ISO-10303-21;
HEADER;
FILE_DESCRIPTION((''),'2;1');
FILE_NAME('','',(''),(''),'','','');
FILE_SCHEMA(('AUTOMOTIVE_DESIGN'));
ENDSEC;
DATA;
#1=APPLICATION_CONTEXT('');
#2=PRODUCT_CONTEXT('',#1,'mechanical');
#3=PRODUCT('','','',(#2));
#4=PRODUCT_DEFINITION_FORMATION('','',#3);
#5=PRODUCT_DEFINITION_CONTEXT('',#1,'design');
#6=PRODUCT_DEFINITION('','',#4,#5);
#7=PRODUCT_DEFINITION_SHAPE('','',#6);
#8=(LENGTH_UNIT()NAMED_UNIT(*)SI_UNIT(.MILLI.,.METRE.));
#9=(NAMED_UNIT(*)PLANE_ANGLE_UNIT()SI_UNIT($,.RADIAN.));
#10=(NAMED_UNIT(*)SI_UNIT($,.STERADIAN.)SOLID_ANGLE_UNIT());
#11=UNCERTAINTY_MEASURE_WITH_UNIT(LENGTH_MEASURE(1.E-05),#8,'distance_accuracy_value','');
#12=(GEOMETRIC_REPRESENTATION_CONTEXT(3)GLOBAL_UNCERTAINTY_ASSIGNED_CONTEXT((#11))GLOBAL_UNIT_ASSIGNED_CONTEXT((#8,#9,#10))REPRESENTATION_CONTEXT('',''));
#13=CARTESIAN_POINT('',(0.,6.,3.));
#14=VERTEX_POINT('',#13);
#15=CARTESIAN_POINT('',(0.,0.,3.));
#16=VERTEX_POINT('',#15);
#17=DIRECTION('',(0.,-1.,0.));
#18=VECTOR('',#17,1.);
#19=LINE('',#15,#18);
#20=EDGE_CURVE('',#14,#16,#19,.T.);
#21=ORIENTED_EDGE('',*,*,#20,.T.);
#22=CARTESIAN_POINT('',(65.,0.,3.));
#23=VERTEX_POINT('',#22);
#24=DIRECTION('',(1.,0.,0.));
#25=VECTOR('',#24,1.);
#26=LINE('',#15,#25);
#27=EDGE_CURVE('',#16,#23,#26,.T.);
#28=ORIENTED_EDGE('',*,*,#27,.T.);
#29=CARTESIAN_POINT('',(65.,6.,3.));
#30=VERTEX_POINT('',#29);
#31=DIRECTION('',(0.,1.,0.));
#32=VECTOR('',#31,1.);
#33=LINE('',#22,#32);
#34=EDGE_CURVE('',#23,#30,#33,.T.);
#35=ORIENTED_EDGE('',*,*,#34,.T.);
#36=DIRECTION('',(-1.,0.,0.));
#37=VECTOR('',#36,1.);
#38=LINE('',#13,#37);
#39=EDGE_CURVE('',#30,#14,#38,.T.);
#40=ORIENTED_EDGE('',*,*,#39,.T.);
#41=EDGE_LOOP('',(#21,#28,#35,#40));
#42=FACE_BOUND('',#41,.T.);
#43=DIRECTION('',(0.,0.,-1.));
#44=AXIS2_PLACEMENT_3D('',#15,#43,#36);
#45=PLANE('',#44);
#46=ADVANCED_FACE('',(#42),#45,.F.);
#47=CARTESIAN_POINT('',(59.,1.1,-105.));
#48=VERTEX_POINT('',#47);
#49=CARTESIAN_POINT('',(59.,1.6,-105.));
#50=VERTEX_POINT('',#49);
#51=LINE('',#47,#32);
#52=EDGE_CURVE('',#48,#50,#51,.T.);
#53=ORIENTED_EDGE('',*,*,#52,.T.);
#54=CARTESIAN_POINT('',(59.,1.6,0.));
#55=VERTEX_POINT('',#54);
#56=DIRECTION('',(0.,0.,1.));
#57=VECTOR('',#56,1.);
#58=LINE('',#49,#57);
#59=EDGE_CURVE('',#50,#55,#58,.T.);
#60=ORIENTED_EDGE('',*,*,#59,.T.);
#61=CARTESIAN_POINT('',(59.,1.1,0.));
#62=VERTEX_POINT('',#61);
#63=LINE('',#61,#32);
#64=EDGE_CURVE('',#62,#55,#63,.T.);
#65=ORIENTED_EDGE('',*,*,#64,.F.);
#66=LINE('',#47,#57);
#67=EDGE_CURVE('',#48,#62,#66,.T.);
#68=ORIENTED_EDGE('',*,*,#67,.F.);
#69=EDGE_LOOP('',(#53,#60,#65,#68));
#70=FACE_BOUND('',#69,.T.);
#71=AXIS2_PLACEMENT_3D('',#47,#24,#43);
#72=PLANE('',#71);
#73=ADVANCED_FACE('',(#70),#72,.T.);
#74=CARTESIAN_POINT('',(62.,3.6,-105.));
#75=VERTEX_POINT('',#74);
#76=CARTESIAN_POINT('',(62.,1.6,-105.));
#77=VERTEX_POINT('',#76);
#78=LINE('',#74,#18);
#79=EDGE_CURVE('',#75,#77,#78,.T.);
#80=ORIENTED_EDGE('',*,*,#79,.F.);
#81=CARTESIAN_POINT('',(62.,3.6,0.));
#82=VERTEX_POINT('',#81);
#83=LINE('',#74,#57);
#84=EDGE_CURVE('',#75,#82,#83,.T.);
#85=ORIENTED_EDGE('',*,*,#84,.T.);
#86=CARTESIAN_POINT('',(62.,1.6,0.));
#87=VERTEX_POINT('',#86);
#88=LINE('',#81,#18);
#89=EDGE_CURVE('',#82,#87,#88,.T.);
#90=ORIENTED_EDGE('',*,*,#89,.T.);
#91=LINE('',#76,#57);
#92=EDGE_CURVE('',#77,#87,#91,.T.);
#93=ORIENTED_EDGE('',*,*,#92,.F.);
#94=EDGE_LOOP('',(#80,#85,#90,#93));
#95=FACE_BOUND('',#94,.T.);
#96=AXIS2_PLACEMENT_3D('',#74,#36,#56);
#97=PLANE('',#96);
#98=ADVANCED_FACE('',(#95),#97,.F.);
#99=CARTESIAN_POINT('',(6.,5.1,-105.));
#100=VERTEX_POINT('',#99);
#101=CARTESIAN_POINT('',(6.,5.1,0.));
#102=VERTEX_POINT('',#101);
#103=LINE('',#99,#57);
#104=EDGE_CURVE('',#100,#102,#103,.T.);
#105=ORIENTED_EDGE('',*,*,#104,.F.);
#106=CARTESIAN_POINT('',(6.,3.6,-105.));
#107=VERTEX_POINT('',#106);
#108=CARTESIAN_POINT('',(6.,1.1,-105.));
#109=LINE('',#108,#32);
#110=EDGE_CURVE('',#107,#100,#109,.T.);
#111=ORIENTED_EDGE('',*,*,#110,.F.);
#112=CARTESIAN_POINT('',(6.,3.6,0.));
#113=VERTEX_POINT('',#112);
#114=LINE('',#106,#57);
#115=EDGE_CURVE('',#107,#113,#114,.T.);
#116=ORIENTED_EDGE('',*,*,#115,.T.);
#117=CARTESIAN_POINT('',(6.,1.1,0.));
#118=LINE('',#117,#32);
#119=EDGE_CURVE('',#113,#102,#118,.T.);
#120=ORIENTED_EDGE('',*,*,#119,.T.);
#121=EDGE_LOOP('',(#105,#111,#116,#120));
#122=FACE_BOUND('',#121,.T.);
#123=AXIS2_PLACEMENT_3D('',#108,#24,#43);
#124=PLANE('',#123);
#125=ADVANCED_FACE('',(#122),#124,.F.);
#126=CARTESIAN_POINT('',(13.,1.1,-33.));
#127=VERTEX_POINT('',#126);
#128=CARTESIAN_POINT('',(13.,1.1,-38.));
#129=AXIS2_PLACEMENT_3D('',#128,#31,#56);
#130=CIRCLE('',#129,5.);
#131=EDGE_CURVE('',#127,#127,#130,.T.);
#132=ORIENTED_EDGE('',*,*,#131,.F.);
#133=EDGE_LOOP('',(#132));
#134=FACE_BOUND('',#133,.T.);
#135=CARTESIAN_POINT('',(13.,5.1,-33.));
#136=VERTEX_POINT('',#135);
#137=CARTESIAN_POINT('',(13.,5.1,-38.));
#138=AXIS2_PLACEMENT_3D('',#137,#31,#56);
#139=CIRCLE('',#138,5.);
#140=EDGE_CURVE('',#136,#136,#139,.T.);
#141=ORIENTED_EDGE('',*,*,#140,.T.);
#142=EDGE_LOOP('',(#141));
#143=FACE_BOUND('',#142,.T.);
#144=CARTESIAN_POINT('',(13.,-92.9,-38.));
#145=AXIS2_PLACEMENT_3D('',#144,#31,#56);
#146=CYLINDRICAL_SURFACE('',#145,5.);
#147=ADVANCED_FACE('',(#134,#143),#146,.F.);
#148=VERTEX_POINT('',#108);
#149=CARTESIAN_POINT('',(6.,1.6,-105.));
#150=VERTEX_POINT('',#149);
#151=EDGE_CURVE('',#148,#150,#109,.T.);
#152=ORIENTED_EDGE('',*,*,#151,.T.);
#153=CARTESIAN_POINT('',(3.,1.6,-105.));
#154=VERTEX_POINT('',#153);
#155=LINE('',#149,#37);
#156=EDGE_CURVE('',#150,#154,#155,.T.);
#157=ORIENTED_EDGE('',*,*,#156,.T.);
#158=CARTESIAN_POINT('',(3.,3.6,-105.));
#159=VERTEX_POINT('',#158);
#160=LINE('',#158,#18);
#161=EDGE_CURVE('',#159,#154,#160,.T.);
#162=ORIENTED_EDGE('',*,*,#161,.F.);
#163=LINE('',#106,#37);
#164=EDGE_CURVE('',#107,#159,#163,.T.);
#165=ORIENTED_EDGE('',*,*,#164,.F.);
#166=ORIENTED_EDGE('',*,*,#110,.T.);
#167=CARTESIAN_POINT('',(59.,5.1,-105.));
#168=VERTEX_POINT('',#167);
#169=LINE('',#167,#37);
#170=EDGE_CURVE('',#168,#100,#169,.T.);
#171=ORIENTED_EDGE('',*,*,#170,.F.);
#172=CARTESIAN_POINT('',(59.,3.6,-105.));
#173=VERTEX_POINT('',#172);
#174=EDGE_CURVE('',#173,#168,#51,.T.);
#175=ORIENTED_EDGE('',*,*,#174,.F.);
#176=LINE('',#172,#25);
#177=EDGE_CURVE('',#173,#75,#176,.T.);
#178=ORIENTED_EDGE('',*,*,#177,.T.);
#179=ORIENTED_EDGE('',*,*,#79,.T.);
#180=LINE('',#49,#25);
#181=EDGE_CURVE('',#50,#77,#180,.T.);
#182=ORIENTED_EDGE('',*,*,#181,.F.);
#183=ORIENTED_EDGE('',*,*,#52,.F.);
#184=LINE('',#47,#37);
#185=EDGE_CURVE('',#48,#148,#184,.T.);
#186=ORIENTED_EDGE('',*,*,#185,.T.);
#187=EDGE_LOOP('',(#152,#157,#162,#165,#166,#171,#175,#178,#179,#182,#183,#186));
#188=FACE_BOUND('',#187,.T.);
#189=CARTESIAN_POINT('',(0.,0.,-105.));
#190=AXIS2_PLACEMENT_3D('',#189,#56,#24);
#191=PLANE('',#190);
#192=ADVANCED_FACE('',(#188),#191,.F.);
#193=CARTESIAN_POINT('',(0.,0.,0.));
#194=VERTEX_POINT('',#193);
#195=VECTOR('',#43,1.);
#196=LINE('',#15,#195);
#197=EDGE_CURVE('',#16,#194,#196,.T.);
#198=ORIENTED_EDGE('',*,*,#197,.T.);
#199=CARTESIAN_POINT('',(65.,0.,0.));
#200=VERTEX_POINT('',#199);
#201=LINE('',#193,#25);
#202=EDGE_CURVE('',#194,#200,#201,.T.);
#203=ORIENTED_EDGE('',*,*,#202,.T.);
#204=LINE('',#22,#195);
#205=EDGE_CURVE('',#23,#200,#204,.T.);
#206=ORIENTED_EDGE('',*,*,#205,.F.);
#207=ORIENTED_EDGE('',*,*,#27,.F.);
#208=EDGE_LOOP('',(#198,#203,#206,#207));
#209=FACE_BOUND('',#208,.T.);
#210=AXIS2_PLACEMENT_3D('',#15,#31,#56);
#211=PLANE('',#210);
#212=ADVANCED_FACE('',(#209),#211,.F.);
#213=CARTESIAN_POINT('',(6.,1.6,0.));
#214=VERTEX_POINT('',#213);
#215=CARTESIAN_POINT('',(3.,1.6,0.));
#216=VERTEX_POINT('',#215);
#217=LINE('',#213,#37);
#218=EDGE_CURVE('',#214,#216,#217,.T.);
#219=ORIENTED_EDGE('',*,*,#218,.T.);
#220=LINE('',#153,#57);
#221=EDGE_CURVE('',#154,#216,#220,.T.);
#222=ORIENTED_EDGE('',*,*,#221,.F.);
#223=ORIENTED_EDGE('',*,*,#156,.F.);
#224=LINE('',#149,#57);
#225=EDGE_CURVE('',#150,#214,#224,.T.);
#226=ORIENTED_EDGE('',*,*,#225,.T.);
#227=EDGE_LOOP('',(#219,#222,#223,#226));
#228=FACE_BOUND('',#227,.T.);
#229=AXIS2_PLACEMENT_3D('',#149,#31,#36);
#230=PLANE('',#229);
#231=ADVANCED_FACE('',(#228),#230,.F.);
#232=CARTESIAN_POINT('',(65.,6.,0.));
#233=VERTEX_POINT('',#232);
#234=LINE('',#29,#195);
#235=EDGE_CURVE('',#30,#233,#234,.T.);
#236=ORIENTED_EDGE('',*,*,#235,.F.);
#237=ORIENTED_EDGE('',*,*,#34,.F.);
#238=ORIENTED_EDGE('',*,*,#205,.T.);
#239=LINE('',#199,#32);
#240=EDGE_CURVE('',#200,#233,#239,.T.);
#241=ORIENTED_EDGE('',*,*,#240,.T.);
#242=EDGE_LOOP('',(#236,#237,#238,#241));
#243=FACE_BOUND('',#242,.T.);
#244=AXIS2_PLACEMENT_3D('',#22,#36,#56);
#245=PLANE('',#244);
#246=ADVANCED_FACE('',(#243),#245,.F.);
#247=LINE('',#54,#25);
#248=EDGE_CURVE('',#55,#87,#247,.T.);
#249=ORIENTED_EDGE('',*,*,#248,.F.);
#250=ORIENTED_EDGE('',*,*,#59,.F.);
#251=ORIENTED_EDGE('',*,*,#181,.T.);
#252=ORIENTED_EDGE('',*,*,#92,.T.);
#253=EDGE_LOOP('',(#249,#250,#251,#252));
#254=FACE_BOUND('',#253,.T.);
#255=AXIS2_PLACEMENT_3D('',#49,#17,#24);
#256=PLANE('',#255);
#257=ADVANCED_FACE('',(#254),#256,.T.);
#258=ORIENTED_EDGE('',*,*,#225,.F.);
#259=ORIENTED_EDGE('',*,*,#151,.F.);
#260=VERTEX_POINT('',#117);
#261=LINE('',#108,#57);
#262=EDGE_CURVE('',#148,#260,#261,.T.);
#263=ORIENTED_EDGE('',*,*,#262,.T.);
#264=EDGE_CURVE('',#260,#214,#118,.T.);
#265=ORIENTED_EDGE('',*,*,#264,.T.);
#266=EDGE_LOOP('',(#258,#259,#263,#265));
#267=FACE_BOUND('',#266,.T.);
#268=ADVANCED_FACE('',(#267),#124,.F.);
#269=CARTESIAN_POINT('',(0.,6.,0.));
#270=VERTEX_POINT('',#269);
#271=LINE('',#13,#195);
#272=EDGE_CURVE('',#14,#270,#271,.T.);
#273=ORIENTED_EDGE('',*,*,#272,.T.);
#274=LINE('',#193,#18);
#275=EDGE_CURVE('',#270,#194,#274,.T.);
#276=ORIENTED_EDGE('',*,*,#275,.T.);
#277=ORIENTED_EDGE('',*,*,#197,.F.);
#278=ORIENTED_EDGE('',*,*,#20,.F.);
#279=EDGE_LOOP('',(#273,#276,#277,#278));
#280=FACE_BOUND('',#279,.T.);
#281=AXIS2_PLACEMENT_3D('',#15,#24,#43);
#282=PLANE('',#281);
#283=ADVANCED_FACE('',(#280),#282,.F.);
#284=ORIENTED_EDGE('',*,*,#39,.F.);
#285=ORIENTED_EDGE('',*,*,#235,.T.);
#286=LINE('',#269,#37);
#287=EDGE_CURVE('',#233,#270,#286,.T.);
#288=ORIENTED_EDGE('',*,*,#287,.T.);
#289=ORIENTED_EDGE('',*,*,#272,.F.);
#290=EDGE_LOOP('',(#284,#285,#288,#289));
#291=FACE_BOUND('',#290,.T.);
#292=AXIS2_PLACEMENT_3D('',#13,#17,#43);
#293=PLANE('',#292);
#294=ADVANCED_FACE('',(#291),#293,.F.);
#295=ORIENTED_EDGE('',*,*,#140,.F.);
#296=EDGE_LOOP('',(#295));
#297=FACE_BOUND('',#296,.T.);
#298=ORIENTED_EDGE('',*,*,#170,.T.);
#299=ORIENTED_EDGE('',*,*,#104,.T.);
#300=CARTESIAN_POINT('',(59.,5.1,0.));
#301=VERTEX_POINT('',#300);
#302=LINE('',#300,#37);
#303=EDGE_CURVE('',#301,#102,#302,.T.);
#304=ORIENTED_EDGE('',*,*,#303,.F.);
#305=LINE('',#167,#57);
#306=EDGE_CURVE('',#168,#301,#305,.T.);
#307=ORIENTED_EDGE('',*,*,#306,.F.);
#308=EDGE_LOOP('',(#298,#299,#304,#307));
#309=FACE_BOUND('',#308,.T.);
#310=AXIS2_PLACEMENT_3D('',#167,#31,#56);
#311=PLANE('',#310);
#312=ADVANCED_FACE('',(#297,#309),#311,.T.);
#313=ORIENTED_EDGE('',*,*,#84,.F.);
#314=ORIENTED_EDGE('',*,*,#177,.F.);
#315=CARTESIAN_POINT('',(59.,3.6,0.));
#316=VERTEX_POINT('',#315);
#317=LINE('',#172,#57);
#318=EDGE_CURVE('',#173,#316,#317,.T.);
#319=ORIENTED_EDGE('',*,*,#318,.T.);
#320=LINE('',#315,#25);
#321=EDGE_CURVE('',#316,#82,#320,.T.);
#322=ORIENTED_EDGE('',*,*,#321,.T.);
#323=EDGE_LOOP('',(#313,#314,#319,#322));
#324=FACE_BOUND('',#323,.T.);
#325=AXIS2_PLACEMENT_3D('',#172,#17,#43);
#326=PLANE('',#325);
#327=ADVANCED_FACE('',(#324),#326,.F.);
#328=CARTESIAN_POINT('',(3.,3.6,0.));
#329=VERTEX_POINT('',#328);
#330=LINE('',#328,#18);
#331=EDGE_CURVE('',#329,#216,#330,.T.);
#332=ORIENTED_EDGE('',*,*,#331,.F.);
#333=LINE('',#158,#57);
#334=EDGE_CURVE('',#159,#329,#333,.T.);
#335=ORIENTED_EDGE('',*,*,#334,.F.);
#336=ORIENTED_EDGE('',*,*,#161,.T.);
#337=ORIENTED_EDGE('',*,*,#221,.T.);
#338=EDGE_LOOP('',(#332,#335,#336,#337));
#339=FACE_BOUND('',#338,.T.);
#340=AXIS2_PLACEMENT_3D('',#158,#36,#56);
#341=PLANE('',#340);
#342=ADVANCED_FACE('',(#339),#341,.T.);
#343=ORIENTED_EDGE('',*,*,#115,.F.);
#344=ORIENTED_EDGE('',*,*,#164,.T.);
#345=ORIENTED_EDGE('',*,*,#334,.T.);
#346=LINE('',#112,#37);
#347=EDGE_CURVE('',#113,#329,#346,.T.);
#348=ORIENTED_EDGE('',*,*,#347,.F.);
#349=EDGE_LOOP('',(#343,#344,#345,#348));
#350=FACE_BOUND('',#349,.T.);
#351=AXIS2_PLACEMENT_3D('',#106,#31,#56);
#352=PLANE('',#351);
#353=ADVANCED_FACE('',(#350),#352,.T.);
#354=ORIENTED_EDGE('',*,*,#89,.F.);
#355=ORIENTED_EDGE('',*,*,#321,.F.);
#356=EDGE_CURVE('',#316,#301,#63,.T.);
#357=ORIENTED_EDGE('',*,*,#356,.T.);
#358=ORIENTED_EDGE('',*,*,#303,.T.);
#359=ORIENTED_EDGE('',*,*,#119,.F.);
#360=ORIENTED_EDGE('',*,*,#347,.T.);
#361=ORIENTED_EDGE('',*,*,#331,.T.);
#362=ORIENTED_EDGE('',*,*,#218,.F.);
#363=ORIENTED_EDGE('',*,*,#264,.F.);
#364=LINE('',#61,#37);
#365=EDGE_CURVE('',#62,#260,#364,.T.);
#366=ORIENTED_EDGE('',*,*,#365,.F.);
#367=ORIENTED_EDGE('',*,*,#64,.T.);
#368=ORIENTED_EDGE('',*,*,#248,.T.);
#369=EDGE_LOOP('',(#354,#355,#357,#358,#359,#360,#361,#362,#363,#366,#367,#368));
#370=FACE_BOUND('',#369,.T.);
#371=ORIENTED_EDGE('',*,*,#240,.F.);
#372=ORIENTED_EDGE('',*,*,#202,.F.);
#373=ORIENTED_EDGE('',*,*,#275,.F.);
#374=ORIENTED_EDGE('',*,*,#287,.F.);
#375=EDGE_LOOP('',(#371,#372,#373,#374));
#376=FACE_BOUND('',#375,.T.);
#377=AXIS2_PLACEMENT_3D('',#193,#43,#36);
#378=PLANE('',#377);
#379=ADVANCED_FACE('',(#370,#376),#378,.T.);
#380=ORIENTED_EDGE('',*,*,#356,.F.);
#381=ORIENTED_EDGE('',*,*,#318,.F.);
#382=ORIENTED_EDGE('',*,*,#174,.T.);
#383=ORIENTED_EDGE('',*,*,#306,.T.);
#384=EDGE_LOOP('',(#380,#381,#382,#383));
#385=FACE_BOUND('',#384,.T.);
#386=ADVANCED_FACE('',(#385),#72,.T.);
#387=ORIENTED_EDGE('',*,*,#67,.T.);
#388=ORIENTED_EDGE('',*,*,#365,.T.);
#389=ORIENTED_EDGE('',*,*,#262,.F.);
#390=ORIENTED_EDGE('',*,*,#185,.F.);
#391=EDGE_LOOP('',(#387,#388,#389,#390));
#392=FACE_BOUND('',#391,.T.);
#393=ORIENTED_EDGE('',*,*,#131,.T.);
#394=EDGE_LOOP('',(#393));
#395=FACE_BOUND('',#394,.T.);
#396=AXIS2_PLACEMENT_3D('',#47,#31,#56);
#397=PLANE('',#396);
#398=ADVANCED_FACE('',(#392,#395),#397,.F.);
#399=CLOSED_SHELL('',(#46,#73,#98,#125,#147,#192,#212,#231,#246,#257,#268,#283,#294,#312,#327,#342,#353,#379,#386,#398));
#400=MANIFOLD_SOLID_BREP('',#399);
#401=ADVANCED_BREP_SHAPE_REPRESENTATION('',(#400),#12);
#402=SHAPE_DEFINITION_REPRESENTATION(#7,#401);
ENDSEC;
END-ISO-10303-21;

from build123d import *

# Parameters (mm, degrees)
SKETCH1_W           = 65
SKETCH1_H           = 6
BOSS_EXTRUDE1_DEPTH = 3
SKETCH2_W           = 53
SKETCH2_H           = 4
SKETCH2_W_2         = 3
SKETCH2_H_2         = 2
BOSS_EXTRUDE2_DEPTH = 105
SKETCH3_R           = 5
CUT_EXTRUDE1_DEPTH  = 98


with BuildPart() as part:
    # Sketch1 → Boss-Extrude1 (new body)
    with BuildSketch(Plane.XY):
        with Locations((32.5, 3)):
            Rectangle(SKETCH1_W, SKETCH1_H)
    extrude(amount=BOSS_EXTRUDE1_DEPTH)

    # Sketch2 → Boss-Extrude2 (add)
    with BuildSketch(Plane(origin=(0, 0, 0), x_dir=(-1, 0, 0), z_dir=(0, 0, -1))):
        with Locations((-32.5, 3.1)):
            Rectangle(SKETCH2_W, SKETCH2_H)
        with Locations((-60.5, 2.6)):
            Rectangle(SKETCH2_W_2, SKETCH2_H_2)
        with Locations((-4.5, 2.6)):
            Rectangle(SKETCH2_W_2, SKETCH2_H_2)
    extrude(amount=BOSS_EXTRUDE2_DEPTH)

    # Sketch3 → Cut-Extrude1 (cut)
    with BuildSketch(Plane(origin=(0, 5.1, 0), x_dir=(1, 0, 0), z_dir=(0, 1, 0))):
        with Locations(Location((13, 38, 0), (0, 0, 270))):
            Circle(SKETCH3_R)
    extrude(amount=-CUT_EXTRUDE1_DEPTH, mode=Mode.SUBTRACT)


solid = part.part
